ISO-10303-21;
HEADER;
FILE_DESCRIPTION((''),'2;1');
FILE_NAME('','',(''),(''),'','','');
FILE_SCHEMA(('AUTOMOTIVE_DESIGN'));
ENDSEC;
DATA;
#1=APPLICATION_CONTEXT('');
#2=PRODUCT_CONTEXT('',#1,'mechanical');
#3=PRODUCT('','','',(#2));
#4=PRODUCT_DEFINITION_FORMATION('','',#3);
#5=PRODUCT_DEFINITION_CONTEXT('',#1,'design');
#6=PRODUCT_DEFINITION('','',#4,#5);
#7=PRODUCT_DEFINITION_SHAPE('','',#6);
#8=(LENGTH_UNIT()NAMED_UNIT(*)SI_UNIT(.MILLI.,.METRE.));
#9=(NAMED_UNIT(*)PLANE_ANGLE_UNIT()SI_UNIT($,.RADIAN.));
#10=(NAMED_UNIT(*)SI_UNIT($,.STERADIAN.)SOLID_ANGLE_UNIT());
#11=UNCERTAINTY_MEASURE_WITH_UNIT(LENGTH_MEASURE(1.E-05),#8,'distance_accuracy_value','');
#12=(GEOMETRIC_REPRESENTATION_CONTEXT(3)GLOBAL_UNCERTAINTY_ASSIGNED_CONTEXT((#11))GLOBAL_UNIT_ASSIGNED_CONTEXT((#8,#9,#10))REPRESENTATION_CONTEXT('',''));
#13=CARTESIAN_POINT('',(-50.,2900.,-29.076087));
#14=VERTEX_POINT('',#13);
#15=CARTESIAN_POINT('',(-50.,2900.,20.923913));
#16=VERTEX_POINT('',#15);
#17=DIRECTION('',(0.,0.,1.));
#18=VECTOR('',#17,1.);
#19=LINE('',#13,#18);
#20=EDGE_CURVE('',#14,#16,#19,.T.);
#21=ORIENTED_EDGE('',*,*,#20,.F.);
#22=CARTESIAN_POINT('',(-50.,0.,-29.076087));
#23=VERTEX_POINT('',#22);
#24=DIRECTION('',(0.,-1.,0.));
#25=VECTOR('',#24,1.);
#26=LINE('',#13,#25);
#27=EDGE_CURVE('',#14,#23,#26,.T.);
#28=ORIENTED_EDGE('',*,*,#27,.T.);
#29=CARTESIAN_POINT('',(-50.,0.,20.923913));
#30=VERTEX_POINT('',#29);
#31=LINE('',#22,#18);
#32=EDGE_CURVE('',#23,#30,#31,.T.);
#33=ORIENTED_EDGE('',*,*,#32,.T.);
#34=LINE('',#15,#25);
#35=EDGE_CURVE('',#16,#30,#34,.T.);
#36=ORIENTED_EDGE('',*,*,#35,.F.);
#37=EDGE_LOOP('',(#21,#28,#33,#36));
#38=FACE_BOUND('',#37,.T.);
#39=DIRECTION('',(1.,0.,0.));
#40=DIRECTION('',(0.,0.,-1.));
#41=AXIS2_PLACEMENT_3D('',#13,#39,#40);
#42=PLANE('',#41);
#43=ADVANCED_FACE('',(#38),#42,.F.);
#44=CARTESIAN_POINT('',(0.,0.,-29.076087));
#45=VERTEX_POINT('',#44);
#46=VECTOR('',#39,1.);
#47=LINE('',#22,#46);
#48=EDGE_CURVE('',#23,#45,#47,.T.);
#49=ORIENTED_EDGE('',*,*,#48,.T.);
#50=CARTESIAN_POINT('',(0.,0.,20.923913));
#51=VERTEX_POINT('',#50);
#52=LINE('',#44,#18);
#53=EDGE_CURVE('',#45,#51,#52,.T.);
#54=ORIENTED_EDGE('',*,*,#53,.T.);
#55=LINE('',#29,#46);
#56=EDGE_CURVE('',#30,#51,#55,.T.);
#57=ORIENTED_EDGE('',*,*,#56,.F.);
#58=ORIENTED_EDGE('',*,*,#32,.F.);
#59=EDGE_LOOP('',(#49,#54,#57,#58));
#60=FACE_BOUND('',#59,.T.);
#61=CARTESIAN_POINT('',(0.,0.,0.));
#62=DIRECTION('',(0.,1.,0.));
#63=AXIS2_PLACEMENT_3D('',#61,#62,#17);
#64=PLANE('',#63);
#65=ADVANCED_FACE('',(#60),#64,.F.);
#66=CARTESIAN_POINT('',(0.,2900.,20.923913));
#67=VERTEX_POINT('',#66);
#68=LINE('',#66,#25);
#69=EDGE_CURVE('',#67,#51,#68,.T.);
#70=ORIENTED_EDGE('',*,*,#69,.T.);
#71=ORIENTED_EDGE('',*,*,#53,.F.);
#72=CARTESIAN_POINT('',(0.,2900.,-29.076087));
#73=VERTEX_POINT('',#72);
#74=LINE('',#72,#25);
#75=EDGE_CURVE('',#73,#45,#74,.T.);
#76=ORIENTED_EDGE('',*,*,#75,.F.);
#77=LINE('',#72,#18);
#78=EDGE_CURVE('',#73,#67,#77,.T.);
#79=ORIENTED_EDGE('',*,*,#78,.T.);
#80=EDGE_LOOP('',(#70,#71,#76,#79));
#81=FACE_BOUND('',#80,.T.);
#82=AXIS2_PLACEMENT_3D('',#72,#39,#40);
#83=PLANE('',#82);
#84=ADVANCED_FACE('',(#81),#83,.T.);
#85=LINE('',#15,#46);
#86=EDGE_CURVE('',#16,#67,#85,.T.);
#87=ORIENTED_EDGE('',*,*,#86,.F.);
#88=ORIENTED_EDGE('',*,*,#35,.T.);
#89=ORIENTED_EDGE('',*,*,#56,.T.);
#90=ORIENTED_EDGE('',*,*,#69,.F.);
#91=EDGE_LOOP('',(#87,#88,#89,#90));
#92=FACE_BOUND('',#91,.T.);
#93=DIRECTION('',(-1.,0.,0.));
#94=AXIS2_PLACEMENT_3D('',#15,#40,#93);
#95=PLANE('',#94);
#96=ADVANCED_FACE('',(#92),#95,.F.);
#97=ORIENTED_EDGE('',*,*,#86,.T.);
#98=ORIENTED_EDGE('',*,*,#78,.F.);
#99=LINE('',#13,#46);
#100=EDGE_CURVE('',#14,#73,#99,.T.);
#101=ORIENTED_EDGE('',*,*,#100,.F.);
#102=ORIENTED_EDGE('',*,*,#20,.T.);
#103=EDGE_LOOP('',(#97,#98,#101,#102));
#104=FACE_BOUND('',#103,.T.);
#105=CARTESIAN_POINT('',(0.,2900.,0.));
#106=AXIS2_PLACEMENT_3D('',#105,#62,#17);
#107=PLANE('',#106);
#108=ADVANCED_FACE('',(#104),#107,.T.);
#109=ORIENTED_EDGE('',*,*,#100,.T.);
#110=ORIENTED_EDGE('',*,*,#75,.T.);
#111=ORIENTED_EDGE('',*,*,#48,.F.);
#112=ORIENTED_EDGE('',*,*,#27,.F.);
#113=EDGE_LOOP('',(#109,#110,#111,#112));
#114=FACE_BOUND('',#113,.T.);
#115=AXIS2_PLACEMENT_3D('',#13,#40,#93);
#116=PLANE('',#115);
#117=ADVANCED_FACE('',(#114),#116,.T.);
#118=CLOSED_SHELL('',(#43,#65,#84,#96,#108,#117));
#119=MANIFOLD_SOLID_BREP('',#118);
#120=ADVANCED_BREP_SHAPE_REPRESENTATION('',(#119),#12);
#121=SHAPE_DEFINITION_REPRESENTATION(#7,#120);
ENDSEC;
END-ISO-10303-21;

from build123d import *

# Parameters (mm, degrees)
ESBO_O2_W                = 50
ESBO_O2_H                = 50
RESSALTO_EXTRUS_O1_DEPTH = 2900


with BuildPart() as part:
    # Esboço2 → Ressalto-extrusão1 (new body)
    with BuildSketch(Plane(origin=(0, 0, 0), x_dir=(1, 0, 0), z_dir=(0, 1, 0))):
        with Locations((-25, 4.076086957)):
            Rectangle(ESBO_O2_W, ESBO_O2_H)
    extrude(amount=RESSALTO_EXTRUS_O1_DEPTH)


solid = part.part
